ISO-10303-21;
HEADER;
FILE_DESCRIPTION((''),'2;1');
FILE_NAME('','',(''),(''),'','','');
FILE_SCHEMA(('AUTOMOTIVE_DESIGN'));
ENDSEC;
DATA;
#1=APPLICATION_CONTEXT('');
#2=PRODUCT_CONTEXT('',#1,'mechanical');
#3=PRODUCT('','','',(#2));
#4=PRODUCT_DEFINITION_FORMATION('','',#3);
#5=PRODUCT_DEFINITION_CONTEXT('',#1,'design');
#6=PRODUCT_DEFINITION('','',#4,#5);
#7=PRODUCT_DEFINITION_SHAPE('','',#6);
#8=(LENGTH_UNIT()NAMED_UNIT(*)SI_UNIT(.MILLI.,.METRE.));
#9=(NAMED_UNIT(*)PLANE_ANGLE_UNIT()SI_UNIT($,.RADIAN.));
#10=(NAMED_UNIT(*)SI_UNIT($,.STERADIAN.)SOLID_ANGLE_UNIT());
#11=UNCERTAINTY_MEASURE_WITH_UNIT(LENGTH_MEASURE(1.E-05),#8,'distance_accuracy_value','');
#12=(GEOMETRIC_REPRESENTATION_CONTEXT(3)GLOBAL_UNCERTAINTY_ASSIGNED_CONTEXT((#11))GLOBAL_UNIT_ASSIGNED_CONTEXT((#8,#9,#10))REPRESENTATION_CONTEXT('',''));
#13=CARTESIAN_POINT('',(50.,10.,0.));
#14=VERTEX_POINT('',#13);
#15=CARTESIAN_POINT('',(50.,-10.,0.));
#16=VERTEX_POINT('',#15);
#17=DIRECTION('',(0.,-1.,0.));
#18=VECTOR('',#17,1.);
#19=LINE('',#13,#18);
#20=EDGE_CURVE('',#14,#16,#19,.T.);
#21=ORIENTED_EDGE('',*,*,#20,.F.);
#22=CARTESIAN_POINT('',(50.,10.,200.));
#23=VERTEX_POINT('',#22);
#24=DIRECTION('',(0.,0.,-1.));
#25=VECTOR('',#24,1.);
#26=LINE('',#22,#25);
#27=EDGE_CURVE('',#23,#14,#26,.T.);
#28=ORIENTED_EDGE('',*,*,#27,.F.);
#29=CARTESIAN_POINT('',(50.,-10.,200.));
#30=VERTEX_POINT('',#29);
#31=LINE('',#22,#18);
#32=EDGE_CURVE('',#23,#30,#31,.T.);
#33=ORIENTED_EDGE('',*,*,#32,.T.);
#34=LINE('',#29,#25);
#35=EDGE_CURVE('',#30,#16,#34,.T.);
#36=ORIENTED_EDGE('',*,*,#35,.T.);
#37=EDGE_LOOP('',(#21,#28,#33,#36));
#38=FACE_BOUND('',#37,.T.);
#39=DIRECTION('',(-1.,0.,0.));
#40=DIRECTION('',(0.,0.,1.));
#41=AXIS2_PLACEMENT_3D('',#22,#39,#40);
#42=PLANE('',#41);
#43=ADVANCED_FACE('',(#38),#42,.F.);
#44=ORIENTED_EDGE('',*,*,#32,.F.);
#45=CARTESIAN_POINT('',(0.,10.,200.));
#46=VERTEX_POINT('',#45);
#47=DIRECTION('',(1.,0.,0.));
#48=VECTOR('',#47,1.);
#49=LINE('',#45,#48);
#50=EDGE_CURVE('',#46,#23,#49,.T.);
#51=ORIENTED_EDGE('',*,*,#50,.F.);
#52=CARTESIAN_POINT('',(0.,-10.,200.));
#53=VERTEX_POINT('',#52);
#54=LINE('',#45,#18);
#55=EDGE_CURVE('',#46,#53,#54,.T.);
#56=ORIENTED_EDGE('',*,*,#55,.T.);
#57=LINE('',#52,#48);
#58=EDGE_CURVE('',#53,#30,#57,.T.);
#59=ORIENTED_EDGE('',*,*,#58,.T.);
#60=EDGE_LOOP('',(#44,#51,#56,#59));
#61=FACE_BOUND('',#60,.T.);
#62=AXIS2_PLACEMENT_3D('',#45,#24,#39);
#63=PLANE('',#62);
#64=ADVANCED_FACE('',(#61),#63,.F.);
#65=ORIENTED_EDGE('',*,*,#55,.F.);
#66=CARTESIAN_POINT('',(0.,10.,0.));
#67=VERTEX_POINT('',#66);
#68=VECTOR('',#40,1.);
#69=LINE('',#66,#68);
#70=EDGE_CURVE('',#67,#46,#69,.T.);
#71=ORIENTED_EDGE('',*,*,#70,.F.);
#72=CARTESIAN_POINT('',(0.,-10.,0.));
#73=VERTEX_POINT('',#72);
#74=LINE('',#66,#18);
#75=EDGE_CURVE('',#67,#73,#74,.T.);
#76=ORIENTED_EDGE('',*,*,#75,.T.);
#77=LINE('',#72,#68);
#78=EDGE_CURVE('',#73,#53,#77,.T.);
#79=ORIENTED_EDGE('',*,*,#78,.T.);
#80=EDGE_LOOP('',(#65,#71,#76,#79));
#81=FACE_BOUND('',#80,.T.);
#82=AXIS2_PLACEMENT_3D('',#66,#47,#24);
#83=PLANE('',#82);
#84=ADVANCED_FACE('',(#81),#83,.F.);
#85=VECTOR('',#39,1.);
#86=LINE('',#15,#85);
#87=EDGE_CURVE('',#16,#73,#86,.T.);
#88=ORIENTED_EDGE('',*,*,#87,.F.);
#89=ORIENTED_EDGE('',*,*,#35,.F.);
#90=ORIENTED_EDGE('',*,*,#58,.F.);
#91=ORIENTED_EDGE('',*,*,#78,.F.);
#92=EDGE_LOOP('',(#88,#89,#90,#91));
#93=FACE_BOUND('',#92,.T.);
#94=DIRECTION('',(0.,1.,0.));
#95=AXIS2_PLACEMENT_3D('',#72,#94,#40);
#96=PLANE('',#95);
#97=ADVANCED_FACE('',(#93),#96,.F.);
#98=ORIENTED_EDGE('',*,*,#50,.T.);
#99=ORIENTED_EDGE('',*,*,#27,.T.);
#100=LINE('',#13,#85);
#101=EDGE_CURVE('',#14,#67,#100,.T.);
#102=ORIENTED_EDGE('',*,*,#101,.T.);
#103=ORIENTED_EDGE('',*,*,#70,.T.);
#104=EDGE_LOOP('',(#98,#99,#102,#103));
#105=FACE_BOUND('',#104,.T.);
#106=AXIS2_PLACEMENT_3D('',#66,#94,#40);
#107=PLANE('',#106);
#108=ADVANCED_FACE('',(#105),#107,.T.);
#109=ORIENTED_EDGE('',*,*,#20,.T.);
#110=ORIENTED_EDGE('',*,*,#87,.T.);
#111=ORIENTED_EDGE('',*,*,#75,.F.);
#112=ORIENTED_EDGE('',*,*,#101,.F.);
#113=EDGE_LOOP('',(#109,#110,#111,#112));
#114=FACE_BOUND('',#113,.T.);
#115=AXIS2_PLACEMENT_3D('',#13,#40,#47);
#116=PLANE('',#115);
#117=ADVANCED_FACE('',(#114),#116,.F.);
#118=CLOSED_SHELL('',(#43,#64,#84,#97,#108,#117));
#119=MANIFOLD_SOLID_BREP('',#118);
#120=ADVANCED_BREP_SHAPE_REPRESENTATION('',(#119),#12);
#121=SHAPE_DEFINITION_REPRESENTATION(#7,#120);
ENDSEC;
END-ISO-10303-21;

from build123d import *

# Parameters (mm, degrees)
SKETCH_1_W      = 50
SKETCH_1_H      = 200
EXTRUDE_1_DEPTH = 10


with BuildPart() as part:
    # 草图1 → 凸台-拉伸1 (new body, symmetric)
    with BuildSketch(Plane(origin=(0, 0, 0), x_dir=(1, 0, 0), z_dir=(0, 1, 0))):
        with Locations((25, -100)):
            Rectangle(SKETCH_1_W, SKETCH_1_H)
    extrude(amount=EXTRUDE_1_DEPTH, both=True)


solid = part.part
